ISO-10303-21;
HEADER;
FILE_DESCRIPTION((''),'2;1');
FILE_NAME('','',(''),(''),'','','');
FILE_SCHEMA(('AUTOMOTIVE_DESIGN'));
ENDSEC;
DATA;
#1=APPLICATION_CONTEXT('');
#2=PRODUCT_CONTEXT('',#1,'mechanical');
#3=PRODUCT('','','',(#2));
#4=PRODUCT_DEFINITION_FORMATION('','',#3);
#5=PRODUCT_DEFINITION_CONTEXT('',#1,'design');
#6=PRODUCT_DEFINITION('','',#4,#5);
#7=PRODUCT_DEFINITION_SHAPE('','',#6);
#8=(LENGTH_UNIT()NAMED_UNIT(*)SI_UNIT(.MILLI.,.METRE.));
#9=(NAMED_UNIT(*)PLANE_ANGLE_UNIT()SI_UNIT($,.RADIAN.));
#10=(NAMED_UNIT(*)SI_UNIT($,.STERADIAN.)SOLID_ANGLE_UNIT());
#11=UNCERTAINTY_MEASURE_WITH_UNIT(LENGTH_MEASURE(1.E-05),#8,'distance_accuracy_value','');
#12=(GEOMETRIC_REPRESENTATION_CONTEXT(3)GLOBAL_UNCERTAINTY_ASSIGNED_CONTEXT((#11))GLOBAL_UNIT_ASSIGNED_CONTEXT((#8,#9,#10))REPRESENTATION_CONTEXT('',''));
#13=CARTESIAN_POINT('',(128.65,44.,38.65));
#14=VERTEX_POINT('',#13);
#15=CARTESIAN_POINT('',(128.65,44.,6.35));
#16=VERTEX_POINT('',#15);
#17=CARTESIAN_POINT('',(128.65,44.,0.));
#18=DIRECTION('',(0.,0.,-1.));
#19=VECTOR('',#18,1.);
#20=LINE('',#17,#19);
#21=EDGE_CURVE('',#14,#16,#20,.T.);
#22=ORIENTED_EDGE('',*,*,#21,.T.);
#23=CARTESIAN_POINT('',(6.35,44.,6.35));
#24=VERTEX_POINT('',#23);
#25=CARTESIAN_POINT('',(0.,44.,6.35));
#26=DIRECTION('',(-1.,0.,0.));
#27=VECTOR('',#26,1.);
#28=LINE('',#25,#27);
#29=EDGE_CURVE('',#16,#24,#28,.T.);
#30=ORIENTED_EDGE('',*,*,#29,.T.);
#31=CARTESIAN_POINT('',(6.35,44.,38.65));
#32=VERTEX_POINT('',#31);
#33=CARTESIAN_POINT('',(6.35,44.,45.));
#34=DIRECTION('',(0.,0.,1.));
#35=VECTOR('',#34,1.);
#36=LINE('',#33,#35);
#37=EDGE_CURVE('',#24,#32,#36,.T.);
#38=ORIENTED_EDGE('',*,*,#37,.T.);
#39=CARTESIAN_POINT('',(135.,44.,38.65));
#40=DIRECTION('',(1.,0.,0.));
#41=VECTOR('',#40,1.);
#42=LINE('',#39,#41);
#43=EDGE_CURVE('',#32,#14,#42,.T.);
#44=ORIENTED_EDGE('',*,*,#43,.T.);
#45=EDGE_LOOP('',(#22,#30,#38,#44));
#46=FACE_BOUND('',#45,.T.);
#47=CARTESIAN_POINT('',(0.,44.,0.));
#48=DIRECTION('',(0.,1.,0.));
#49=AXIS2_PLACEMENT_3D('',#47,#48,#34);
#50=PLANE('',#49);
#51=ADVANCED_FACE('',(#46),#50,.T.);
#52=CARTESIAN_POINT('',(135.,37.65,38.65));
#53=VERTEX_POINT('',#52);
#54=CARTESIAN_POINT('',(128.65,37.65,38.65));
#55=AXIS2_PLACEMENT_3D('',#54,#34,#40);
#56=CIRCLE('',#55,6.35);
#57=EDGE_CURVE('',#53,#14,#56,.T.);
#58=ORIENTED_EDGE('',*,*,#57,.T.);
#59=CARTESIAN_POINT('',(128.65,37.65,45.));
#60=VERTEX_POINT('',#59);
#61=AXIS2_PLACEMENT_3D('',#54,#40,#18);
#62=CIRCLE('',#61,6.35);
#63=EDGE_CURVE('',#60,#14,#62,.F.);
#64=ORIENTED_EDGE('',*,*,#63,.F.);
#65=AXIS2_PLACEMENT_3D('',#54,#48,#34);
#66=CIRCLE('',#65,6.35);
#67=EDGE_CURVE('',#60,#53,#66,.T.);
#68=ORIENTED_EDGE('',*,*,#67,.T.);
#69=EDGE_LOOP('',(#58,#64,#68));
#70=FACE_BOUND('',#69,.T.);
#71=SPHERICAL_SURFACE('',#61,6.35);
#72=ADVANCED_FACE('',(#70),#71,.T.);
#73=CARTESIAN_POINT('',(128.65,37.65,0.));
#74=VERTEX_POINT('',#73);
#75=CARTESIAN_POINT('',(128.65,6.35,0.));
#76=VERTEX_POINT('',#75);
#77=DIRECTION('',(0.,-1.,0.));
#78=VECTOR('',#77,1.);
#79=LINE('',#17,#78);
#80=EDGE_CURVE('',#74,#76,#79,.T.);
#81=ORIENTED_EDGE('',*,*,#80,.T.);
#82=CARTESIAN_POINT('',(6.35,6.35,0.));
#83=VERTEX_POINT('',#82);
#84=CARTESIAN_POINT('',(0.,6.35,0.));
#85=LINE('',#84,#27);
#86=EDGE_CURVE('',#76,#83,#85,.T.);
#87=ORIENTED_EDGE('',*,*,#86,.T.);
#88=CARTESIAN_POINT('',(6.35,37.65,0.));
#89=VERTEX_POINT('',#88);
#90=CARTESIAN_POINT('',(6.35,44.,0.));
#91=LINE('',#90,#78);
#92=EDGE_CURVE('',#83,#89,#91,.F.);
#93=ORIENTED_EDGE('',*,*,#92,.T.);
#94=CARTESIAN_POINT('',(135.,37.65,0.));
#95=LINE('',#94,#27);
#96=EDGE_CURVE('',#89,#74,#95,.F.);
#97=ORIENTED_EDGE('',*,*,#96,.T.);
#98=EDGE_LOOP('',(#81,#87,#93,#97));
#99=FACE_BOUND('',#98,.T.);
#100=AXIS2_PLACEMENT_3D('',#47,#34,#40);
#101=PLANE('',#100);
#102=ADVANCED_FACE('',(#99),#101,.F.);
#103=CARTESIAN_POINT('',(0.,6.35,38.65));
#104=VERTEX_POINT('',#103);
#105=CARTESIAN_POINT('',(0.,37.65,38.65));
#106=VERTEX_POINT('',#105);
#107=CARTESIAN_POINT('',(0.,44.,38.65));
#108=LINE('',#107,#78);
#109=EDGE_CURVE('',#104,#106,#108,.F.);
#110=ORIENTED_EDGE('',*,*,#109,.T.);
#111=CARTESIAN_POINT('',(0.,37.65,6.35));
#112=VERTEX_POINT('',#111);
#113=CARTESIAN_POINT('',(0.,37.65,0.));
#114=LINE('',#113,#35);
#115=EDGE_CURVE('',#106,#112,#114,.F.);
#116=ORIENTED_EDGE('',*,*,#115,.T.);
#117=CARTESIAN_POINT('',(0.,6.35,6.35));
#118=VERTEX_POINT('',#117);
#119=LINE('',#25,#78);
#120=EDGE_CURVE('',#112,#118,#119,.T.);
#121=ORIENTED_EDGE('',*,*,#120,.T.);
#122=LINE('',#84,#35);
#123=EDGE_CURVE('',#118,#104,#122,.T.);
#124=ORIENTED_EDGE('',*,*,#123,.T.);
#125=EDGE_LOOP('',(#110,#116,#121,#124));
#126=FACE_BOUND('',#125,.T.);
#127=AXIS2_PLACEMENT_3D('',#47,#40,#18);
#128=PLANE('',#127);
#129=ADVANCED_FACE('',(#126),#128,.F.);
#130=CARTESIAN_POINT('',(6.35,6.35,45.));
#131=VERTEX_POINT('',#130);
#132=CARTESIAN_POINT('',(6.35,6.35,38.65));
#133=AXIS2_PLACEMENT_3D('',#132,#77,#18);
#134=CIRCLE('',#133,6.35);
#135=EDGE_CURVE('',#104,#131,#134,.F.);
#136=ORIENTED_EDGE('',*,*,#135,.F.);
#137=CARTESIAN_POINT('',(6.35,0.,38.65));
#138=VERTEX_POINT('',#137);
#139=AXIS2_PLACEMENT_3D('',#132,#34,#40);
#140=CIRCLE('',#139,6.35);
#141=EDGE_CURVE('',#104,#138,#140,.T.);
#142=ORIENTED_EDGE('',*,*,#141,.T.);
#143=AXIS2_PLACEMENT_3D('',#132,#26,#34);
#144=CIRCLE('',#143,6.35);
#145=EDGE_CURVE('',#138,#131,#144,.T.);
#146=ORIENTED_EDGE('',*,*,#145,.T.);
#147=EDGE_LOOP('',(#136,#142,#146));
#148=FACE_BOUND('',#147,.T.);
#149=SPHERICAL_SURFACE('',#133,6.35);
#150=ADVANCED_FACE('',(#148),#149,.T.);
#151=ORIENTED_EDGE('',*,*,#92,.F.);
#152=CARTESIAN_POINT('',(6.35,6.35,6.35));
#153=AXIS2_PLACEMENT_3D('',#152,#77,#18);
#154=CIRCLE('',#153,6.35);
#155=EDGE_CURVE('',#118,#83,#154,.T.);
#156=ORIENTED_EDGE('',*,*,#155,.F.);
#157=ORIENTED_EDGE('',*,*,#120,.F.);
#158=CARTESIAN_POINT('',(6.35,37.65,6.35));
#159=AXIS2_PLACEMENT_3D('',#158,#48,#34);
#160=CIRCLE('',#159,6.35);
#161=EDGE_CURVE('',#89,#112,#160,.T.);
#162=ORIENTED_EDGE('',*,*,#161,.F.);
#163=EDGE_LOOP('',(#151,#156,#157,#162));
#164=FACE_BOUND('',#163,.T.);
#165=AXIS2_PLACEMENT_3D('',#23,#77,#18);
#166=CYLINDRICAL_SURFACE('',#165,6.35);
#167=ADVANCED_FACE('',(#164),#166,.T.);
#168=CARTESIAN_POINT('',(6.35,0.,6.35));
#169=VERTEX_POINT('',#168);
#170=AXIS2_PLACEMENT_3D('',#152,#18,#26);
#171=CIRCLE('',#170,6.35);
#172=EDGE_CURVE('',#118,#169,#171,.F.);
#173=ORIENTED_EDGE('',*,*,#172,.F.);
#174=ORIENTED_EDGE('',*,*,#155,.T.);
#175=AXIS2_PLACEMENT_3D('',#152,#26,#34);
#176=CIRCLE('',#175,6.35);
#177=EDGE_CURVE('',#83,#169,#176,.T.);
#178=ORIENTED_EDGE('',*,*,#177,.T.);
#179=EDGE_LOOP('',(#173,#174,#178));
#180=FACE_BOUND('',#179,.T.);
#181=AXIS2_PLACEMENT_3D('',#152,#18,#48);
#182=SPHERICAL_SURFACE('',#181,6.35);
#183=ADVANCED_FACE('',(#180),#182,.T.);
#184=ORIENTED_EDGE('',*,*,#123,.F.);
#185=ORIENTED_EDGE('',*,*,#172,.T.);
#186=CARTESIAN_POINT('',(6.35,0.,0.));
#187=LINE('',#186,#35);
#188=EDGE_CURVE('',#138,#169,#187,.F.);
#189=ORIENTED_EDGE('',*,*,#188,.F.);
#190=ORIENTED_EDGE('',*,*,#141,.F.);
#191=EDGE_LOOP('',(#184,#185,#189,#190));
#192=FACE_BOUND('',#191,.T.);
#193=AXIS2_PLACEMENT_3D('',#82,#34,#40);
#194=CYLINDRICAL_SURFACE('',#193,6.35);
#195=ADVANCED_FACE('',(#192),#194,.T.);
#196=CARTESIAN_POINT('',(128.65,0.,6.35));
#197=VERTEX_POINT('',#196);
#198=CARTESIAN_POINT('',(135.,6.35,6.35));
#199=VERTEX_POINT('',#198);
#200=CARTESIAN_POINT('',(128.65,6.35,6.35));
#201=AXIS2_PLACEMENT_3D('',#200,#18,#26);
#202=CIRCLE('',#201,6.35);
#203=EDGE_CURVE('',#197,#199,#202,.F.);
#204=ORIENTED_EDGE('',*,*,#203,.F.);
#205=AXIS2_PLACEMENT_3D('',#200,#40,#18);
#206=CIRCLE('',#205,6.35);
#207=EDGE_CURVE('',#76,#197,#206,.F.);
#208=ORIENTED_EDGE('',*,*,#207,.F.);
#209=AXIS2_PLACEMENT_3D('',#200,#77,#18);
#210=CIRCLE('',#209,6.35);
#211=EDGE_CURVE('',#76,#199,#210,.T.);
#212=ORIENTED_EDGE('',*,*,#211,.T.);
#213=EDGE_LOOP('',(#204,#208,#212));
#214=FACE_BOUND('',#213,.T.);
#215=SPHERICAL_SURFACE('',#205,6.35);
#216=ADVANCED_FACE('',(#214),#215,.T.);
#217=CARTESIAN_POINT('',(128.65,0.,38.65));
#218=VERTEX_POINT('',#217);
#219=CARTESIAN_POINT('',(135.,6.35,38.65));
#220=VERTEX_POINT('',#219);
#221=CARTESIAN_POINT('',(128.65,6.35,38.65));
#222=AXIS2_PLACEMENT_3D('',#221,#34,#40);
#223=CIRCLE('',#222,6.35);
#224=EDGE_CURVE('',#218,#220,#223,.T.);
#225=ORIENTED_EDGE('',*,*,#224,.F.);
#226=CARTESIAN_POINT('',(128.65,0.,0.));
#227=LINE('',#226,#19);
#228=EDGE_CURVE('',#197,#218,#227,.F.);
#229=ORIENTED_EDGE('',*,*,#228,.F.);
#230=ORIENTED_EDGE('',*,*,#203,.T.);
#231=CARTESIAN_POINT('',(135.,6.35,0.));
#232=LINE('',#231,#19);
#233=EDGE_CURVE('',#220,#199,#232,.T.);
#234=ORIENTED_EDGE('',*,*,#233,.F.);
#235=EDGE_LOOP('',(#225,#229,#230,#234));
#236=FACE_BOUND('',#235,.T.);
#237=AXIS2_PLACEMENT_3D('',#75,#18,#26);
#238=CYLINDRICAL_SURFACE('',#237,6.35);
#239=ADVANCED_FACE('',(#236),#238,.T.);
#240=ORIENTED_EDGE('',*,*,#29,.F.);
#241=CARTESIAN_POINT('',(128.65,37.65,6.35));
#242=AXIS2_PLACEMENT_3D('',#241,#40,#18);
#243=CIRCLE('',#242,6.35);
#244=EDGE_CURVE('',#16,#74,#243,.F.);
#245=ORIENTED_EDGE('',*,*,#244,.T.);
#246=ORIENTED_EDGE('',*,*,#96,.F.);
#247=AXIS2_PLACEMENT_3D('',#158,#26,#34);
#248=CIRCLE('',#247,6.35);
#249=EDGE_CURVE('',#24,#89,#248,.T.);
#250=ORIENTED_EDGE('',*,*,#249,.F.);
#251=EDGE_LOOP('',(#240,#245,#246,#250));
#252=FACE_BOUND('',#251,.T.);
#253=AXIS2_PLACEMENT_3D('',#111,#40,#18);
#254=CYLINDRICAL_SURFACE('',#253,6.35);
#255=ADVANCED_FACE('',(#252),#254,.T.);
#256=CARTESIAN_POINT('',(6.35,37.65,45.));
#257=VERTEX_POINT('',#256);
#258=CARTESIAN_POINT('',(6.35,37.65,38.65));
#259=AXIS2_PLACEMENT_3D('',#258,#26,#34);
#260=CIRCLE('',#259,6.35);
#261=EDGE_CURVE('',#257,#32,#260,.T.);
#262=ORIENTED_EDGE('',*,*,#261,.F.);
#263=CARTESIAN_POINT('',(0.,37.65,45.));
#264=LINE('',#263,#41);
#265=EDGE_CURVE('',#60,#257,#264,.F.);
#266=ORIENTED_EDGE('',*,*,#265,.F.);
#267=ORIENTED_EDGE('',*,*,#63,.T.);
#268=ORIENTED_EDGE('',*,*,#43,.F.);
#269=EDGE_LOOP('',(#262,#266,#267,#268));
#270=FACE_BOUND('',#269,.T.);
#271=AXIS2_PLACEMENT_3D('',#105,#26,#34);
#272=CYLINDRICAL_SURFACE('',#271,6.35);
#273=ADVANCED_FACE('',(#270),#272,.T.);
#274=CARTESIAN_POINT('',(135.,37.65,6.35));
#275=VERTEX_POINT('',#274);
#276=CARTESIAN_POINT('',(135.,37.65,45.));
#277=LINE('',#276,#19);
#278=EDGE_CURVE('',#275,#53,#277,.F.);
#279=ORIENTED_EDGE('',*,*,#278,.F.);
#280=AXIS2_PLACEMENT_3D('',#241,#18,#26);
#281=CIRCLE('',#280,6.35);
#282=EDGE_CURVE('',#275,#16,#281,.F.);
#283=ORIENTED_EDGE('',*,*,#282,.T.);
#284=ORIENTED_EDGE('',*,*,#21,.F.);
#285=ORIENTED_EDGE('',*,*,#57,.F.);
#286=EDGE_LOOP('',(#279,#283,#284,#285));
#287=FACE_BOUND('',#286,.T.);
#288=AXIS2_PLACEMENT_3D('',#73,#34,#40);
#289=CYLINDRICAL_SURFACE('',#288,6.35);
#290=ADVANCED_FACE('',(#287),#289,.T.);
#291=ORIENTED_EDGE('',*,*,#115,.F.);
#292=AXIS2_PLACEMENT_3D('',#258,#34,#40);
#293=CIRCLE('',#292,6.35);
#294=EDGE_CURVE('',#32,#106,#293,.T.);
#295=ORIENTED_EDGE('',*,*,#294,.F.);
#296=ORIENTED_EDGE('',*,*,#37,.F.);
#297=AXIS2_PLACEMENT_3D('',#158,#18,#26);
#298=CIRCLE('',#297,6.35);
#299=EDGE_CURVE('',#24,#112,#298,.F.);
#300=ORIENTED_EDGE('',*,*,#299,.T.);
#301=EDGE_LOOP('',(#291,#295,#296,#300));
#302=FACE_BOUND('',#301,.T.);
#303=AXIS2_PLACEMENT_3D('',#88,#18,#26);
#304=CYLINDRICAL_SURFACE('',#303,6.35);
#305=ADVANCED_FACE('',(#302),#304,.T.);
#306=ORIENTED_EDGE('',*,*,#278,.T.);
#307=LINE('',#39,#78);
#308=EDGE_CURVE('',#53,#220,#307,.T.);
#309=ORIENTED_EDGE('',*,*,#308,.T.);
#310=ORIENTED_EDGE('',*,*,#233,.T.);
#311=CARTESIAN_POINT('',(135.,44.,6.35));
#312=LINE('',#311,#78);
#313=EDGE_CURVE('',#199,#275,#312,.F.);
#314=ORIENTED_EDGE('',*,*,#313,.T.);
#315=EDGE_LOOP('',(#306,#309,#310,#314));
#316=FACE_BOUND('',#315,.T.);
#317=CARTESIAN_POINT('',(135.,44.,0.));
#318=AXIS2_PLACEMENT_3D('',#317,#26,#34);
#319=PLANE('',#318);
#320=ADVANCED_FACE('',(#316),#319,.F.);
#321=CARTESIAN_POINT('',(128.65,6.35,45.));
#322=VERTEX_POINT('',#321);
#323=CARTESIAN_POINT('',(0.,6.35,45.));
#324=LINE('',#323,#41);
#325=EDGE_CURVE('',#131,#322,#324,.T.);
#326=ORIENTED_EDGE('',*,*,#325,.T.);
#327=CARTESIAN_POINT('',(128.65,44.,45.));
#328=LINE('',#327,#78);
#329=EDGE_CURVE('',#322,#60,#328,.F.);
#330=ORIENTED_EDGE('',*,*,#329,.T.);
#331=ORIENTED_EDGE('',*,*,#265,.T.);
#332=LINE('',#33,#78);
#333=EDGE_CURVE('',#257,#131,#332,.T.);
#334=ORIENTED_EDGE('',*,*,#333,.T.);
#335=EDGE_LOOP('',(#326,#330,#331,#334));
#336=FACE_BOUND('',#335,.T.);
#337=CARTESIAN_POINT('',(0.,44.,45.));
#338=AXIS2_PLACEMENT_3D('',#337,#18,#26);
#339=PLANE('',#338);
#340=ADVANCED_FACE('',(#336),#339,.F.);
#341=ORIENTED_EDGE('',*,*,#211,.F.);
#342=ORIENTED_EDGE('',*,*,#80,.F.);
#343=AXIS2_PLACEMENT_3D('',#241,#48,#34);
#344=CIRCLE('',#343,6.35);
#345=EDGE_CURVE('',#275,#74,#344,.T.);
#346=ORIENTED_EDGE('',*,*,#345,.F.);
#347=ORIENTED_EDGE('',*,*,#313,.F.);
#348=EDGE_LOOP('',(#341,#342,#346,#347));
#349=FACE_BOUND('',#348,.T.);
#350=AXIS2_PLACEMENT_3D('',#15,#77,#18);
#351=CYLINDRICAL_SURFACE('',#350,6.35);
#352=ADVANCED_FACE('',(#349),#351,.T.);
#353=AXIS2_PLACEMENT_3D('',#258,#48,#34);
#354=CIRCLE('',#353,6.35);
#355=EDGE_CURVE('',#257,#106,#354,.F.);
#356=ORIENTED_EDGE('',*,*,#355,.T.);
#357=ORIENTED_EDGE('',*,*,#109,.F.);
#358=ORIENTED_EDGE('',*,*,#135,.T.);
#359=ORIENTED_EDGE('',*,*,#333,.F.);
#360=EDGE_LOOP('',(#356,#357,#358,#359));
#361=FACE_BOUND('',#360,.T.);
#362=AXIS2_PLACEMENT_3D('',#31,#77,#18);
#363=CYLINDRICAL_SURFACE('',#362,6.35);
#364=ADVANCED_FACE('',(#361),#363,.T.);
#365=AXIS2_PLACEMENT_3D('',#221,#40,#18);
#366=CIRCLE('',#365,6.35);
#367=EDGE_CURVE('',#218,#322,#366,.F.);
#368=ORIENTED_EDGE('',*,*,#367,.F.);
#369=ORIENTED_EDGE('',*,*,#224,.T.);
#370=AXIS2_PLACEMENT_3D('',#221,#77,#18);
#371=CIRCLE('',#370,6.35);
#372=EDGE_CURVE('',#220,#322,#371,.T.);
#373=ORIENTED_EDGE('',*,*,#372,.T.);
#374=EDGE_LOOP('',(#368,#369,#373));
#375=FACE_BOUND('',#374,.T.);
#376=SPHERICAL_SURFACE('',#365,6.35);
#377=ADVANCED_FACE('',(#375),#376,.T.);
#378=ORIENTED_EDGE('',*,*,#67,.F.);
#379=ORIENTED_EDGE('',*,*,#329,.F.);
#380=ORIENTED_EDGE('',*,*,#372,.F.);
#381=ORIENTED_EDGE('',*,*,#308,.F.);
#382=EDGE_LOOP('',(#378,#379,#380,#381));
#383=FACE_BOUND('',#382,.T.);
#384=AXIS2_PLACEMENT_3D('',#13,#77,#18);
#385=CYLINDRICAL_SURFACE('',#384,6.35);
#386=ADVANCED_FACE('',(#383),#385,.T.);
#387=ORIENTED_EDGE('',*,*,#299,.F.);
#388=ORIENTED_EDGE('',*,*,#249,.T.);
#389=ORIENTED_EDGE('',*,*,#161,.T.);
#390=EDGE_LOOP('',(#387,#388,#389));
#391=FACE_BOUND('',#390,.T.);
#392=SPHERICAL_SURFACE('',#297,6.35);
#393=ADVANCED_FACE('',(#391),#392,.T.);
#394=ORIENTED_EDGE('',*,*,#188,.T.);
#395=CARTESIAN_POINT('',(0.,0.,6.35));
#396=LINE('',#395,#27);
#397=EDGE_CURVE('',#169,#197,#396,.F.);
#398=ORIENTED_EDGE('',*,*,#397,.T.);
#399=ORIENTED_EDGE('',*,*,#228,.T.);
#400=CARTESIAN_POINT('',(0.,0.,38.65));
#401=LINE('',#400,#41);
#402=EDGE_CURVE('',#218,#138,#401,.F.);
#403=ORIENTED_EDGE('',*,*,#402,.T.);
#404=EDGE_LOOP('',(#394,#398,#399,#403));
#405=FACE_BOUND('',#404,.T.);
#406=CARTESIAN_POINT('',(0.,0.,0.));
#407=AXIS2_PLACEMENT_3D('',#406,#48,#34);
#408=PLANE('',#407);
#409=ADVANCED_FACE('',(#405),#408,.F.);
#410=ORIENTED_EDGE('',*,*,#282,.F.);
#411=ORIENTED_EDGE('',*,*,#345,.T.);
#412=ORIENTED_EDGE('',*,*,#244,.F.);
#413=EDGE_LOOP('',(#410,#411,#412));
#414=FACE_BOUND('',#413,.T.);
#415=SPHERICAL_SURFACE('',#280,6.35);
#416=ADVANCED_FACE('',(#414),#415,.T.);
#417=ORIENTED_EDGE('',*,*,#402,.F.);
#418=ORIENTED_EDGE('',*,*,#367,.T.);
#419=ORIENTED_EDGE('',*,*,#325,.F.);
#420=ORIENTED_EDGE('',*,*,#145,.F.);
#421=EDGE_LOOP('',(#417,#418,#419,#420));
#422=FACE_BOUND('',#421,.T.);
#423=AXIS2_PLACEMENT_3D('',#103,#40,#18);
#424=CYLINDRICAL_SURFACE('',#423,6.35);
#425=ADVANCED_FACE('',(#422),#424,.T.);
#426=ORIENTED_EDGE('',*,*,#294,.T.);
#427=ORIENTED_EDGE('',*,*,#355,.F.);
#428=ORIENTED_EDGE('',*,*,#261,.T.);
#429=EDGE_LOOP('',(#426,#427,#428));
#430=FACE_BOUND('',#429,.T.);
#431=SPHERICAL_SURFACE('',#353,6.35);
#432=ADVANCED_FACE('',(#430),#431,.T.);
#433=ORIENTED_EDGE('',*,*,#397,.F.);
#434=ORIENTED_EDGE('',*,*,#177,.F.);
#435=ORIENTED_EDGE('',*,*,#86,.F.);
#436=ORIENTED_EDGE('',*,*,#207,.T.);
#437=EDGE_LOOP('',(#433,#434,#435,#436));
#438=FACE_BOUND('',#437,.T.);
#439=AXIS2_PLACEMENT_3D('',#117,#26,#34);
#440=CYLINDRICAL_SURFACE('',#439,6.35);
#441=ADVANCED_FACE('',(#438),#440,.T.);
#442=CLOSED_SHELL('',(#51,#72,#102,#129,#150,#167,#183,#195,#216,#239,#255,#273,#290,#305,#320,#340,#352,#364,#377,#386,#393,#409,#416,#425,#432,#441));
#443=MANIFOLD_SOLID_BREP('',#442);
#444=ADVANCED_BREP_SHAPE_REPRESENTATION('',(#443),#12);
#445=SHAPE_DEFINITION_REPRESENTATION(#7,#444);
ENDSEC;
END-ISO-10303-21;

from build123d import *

# Parameters (mm, degrees)
SKETCH1_W           = 135
SKETCH1_H           = 45
BOSS_EXTRUDE1_DEPTH = 44
FILLET1_R           = 6.35


with BuildPart() as part:
    # Sketch1 → Boss-Extrude1 (new body)
    with BuildSketch(Plane(origin=(0, 0, 0), x_dir=(1, 0, 0), z_dir=(0, 1, 0))):
        with Locations((67.5, -22.5)):
            Rectangle(SKETCH1_W, SKETCH1_H)
    extrude(amount=BOSS_EXTRUDE1_DEPTH)

    # Fillet1
    fillet1_edges = [part.edges().sort_by_distance(p)[0] for p in [
        (135, 44, 22.5),
        (67.5, 44, 0),
        (0, 44, 22.5),
        (67.5, 0, 0),
        (135, 0, 22.5),
        (67.5, 0, 45),
        (0, 0, 22.5),
        (0, 22, 0),
        (135, 22, 0),
        (135, 22, 45),
        (0, 22, 45),
        (67.5, 44, 45),
    ]]
    fillet(fillet1_edges, radius=FILLET1_R)


solid = part.part
